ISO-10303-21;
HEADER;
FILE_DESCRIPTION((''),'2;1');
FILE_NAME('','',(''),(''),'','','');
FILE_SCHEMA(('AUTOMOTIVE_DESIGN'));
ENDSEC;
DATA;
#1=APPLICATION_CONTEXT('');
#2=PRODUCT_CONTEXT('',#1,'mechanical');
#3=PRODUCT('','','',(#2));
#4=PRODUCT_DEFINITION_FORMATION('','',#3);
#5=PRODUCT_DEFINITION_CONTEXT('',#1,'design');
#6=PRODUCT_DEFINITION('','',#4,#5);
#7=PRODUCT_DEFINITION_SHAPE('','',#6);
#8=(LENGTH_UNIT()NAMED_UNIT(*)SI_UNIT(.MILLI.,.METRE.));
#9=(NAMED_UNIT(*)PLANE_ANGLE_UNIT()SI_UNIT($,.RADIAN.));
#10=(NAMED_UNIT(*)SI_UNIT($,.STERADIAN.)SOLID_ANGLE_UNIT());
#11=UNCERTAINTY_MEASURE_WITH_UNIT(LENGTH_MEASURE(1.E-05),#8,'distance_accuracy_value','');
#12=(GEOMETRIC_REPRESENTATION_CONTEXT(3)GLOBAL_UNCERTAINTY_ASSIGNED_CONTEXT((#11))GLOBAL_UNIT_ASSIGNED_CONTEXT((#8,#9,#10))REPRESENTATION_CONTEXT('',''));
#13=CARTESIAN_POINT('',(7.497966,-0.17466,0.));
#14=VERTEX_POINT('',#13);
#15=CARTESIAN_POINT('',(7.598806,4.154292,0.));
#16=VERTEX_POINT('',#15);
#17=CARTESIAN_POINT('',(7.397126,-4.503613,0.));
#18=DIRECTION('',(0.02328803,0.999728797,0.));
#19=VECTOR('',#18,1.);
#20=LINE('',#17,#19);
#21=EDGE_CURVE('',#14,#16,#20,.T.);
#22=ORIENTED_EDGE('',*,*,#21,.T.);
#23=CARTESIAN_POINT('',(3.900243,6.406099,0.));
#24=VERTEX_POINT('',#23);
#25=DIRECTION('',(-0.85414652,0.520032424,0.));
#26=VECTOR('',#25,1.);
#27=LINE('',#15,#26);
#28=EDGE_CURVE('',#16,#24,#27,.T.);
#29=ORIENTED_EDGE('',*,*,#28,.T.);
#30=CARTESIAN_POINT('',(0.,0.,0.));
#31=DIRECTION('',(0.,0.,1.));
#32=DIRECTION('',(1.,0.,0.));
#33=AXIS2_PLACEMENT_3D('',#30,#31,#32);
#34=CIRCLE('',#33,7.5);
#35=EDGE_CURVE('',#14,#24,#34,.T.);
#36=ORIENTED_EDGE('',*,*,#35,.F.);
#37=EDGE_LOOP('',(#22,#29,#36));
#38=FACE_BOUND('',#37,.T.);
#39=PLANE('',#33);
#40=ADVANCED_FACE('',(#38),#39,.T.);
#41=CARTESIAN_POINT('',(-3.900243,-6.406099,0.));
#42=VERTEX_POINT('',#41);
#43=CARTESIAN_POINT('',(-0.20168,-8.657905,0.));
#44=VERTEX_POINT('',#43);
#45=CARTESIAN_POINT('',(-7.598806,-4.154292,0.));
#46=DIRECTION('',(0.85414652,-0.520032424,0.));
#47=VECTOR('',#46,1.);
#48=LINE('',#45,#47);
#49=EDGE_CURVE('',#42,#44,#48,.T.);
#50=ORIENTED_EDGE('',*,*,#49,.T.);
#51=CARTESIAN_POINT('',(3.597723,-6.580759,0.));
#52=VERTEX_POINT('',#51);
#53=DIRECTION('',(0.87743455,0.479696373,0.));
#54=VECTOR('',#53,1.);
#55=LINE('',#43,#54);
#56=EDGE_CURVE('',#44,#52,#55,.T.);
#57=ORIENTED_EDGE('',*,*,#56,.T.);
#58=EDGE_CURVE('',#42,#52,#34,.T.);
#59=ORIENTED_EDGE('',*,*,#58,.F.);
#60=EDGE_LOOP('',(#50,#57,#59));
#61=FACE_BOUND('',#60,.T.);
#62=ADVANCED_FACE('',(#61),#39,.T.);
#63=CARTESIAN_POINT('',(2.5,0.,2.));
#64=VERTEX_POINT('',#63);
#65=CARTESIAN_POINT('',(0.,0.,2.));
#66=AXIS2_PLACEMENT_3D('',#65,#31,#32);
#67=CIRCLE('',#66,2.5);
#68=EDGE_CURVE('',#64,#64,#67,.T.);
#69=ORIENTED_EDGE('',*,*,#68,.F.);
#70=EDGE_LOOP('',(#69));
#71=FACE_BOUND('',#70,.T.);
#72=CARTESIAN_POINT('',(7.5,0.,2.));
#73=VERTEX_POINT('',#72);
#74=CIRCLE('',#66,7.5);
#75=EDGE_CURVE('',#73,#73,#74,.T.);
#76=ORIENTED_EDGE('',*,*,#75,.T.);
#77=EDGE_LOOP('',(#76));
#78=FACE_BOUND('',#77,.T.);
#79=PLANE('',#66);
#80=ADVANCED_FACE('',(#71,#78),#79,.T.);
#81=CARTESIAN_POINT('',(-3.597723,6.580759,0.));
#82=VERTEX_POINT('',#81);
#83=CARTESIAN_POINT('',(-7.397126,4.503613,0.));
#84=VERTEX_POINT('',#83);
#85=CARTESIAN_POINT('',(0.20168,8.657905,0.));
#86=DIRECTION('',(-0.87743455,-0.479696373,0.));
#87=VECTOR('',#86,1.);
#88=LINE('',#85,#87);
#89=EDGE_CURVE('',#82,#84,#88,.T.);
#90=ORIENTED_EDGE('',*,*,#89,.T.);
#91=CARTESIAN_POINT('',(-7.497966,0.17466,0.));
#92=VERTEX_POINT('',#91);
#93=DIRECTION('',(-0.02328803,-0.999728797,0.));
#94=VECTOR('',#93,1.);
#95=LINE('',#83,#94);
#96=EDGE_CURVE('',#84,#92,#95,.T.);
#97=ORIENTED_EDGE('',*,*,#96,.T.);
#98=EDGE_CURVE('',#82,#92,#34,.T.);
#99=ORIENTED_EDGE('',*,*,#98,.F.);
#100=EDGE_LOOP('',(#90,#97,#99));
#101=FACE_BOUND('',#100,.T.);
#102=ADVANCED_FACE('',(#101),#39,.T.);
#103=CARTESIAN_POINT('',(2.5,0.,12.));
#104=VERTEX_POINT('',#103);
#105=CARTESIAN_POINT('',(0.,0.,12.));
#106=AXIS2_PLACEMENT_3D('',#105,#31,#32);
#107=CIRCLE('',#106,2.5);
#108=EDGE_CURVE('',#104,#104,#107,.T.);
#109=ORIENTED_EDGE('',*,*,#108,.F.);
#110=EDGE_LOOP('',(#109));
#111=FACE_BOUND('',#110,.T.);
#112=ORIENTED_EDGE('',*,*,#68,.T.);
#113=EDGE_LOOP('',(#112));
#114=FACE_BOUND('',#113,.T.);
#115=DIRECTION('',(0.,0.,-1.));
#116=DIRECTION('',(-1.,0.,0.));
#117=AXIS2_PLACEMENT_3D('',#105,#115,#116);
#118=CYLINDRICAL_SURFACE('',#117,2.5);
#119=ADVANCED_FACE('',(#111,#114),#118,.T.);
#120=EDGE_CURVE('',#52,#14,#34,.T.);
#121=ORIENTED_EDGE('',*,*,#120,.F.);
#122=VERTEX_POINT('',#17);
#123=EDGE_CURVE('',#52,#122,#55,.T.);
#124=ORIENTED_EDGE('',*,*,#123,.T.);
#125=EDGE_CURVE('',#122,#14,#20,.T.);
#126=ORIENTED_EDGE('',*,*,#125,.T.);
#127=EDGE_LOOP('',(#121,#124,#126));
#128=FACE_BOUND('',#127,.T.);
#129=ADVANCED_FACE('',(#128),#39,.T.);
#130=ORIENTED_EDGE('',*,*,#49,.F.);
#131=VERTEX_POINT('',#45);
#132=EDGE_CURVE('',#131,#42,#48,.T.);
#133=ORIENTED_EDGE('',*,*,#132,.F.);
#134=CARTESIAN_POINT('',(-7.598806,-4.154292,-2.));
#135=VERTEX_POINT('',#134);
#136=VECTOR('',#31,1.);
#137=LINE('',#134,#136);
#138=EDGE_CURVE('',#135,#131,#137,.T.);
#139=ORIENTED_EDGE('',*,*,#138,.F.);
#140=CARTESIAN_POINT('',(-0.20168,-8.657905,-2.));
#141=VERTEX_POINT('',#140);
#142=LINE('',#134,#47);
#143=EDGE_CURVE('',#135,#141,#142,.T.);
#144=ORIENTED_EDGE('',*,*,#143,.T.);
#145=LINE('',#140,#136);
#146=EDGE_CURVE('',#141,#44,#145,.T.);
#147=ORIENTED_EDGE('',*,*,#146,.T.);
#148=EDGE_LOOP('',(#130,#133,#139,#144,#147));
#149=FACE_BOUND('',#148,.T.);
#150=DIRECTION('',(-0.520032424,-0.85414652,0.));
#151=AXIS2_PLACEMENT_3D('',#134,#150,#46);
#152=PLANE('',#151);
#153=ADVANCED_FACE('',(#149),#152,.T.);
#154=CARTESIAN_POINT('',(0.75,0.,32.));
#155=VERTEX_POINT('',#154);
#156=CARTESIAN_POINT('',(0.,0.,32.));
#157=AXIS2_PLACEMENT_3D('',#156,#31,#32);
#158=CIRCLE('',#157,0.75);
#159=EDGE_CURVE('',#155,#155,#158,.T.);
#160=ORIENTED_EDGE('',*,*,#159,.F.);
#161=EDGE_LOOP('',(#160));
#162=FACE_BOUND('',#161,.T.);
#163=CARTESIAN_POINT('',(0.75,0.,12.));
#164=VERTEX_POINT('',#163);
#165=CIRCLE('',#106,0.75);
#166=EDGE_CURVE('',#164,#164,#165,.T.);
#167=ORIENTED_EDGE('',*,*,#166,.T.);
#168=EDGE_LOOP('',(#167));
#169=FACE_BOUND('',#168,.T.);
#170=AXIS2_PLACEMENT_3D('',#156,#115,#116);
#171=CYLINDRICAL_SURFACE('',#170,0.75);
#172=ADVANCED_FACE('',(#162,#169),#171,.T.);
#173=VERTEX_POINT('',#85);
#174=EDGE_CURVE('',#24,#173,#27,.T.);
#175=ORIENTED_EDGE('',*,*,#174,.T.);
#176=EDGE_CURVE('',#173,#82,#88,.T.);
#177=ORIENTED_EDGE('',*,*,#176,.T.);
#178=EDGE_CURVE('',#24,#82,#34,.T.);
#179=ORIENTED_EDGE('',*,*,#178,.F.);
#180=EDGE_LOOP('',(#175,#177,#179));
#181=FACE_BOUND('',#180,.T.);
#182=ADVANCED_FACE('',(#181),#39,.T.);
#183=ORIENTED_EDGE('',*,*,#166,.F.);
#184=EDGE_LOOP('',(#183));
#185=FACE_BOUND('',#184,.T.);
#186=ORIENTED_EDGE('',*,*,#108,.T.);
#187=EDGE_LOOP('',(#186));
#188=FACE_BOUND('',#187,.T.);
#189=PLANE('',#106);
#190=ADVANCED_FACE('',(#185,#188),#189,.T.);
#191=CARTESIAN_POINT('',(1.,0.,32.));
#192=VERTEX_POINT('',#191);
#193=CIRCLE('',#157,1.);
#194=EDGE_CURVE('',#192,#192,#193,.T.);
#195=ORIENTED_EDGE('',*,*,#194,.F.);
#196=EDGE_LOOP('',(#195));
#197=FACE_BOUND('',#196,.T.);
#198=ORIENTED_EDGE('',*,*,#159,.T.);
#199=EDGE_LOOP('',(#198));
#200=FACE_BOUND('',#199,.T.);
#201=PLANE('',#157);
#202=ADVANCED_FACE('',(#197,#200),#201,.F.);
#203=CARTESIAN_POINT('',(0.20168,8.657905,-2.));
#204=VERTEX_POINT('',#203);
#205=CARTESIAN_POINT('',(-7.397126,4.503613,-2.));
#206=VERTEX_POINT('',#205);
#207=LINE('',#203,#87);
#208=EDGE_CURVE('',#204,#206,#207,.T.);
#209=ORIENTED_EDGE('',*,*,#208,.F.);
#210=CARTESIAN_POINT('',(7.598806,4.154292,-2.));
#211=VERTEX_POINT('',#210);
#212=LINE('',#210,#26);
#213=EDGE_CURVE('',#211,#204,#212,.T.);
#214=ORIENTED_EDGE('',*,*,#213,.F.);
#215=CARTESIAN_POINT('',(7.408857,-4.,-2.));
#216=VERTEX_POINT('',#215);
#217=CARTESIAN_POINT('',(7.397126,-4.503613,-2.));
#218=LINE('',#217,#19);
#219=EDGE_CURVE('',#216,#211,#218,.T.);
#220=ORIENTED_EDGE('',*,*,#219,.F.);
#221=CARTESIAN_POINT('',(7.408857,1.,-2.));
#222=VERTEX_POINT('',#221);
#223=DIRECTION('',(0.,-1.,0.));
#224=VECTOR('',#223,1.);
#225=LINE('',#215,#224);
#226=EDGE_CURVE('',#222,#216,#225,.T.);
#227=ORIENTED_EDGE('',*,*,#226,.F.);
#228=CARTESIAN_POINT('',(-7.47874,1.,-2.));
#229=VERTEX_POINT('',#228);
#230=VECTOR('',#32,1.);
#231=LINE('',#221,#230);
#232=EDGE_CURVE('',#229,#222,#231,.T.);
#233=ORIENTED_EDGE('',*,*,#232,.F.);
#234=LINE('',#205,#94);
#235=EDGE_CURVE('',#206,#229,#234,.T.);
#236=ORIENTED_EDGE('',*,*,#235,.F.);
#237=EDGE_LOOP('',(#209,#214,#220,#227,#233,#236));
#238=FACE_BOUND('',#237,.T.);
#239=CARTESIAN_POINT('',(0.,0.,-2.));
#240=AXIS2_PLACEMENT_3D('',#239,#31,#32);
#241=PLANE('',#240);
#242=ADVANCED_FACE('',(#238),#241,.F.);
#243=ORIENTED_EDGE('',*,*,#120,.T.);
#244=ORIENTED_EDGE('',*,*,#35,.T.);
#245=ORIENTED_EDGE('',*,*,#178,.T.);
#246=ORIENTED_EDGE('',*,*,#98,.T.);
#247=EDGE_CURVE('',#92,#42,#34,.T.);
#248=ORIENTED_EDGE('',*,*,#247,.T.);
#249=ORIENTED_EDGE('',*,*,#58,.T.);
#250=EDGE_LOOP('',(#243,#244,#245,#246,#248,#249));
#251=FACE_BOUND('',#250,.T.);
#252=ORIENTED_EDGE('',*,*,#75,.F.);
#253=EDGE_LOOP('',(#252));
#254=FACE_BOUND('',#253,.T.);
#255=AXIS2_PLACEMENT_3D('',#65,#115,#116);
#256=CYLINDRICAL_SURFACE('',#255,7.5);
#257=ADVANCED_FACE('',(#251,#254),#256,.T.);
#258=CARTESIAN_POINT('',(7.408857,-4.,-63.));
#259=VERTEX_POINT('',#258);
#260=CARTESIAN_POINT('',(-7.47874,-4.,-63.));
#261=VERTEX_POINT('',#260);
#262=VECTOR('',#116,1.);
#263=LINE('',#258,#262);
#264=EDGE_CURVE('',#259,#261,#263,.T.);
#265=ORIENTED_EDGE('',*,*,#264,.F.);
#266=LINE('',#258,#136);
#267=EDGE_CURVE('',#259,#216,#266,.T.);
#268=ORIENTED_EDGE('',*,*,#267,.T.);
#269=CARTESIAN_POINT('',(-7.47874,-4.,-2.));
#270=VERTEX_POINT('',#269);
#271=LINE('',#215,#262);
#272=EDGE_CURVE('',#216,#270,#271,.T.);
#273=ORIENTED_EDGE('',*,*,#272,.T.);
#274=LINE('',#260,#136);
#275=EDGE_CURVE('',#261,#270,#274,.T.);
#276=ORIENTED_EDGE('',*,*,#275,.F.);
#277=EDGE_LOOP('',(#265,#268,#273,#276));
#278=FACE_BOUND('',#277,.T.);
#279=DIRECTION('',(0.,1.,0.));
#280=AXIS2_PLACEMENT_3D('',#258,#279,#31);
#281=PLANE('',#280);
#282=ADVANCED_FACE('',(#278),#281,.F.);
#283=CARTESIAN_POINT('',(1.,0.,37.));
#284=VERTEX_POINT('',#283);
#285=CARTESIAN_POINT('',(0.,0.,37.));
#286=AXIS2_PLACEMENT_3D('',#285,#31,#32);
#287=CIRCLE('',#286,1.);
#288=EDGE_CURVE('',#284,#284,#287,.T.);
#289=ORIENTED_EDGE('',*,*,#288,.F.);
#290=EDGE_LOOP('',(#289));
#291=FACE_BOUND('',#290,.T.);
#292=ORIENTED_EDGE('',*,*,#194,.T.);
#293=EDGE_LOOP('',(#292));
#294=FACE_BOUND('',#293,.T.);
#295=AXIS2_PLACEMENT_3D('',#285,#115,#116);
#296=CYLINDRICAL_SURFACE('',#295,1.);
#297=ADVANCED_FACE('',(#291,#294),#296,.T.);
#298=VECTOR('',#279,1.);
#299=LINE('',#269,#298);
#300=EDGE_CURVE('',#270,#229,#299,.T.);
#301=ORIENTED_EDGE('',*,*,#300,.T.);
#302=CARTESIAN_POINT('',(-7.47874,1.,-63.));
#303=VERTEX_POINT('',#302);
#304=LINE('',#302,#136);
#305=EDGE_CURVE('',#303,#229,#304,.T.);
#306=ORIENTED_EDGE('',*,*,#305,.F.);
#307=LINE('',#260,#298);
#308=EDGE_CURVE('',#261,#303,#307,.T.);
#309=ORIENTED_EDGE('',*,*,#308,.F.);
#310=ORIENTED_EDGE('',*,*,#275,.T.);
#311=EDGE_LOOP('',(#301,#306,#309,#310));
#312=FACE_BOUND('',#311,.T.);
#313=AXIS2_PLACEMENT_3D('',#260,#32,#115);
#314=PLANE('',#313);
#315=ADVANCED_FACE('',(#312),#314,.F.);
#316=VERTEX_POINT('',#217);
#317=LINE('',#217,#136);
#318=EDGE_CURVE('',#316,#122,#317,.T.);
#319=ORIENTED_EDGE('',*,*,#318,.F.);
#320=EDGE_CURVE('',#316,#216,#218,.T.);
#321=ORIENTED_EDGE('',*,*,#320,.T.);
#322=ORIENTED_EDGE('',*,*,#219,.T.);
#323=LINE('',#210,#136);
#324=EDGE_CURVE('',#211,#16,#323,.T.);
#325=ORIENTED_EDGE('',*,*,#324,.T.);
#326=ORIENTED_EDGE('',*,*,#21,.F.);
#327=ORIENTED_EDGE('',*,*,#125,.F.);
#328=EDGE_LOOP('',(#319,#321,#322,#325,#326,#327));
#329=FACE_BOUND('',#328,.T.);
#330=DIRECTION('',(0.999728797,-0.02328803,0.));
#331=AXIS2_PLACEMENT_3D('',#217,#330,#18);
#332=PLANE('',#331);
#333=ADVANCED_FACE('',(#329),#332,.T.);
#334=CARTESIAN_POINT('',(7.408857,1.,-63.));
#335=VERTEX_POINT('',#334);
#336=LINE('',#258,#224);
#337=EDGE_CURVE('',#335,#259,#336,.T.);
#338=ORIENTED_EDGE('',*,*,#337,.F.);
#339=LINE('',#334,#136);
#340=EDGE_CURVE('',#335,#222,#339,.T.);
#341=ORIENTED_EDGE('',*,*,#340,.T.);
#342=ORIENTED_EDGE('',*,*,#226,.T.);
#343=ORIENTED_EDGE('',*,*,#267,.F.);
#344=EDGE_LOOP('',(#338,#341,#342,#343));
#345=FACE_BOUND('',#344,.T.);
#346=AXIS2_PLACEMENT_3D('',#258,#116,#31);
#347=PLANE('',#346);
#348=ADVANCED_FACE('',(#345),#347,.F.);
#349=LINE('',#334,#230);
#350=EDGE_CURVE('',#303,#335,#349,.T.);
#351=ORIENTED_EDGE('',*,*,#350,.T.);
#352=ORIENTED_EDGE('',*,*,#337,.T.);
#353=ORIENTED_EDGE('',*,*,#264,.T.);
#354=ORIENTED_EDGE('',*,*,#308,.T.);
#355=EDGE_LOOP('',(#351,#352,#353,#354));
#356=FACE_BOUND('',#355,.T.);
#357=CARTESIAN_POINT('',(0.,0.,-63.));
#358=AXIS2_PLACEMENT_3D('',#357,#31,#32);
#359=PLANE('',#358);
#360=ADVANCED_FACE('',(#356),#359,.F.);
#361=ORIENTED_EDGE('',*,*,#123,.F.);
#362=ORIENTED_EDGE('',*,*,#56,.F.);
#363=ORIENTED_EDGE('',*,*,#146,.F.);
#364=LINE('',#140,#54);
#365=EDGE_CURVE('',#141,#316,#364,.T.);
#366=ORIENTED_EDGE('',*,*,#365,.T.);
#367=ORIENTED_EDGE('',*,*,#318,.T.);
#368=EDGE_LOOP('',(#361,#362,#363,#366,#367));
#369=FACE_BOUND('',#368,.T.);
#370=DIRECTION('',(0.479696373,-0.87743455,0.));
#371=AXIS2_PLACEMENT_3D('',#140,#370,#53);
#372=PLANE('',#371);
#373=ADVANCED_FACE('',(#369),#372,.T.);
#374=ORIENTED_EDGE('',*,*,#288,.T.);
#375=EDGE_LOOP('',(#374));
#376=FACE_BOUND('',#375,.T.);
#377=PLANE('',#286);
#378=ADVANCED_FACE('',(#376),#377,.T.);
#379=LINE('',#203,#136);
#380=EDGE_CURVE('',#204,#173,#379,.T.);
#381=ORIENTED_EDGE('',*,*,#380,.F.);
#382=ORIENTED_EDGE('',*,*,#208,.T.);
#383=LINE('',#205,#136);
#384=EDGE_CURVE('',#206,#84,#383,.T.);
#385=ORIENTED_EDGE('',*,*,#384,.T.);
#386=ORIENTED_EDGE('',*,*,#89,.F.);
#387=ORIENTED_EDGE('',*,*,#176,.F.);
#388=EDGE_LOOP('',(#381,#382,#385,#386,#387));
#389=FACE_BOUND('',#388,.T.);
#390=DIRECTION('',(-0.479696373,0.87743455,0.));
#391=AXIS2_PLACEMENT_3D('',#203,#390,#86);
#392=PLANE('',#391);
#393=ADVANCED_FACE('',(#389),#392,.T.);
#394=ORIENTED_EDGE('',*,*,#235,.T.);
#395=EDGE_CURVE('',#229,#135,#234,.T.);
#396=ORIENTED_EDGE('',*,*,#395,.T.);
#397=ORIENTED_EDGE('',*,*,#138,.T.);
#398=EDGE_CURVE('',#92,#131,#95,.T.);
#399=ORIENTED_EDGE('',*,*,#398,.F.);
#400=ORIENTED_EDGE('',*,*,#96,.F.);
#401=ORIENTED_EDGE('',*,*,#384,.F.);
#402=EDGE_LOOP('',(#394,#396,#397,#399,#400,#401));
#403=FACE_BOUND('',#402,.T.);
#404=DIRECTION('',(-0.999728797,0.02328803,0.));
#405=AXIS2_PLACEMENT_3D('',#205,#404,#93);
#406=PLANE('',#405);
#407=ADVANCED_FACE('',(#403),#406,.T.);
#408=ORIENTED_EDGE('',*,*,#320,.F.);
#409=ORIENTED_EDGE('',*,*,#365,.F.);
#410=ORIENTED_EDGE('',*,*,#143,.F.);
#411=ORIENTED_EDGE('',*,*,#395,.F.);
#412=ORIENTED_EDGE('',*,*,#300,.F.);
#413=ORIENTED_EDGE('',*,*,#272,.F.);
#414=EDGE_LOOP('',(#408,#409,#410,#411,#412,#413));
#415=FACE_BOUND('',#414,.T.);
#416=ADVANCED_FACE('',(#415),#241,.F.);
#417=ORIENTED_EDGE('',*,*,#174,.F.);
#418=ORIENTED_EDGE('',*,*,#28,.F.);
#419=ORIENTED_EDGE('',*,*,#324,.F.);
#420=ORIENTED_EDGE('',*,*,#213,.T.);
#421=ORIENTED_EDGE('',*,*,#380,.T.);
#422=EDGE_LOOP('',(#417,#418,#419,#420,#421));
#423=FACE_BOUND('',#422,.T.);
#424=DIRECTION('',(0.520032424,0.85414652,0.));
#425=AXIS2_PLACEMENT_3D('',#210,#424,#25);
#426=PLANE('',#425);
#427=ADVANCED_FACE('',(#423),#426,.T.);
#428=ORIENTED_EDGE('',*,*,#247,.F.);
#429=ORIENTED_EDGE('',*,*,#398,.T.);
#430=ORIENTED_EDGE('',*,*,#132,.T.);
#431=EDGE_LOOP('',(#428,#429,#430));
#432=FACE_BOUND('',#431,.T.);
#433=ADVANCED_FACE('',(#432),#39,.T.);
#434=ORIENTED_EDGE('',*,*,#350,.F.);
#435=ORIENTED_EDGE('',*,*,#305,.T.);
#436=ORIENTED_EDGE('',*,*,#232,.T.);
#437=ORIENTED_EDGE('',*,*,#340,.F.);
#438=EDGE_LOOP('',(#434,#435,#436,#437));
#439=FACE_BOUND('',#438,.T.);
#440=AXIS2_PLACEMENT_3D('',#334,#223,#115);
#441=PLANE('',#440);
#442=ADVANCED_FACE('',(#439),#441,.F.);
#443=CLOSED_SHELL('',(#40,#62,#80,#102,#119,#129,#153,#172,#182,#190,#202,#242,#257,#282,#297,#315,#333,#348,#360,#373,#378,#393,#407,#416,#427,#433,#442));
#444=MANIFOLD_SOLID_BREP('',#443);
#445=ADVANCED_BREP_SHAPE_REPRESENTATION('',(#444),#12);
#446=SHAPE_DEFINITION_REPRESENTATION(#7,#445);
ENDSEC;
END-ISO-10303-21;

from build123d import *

# Parameters (mm, degrees)
BOSS_EXTRUDE1_DEPTH = 2
SKETCH2_R           = 7.5
BOSS_EXTRUDE2_DEPTH = 2
SKETCH3_R           = 2.5
BOSS_EXTRUDE3_DEPTH = 10
SKETCH4_R           = 0.75
BOSS_EXTRUDE4_DEPTH = 20
SKETCH5_R           = 1
BOSS_EXTRUDE5_DEPTH = 5
SKETCH6_W           = 14.887597411
SKETCH6_H           = 5
BOSS_EXTRUDE6_DEPTH = 61


with BuildPart() as part:
    # Sketch1 → Boss-Extrude1 (new body)
    with BuildSketch(Plane.XY):
        Polygon((7.397125851, -4.5036129), (7.598806105, 4.154292452), (0.201680255, 8.657905351), (-7.397125851, 4.5036129), (-7.598806105, -4.154292452), (-0.201680255, -8.657905351), align=None)
    extrude(amount=-BOSS_EXTRUDE1_DEPTH)

    # Sketch2 → Boss-Extrude2 (add)
    with BuildSketch(Plane.XY):
        with Locations(Location((0, 0, 0), (0, 0, 178.665573541))):
            Circle(SKETCH2_R)
    extrude(amount=BOSS_EXTRUDE2_DEPTH)

    # Sketch3 → Boss-Extrude3 (add)
    with BuildSketch(Plane.XY.offset(2)):
        Circle(SKETCH3_R)
    extrude(amount=BOSS_EXTRUDE3_DEPTH)

    # Sketch4 → Boss-Extrude4 (add)
    with BuildSketch(Plane.XY.offset(12)):
        Circle(SKETCH4_R)
    extrude(amount=BOSS_EXTRUDE4_DEPTH)

    # Sketch5 → Boss-Extrude5 (add)
    with BuildSketch(Plane.XY.offset(32)):
        Circle(SKETCH5_R)
    extrude(amount=BOSS_EXTRUDE5_DEPTH)

    # Sketch6 → Boss-Extrude6 (add)
    with BuildSketch(Plane(origin=(0, 0, -2), x_dir=(-1, 0, 0), z_dir=(0, 0, -1))):
        with Locations((0.034941521, -1.5)):
            Rectangle(SKETCH6_W, SKETCH6_H)
    extrude(amount=BOSS_EXTRUDE6_DEPTH)


solid = part.part
